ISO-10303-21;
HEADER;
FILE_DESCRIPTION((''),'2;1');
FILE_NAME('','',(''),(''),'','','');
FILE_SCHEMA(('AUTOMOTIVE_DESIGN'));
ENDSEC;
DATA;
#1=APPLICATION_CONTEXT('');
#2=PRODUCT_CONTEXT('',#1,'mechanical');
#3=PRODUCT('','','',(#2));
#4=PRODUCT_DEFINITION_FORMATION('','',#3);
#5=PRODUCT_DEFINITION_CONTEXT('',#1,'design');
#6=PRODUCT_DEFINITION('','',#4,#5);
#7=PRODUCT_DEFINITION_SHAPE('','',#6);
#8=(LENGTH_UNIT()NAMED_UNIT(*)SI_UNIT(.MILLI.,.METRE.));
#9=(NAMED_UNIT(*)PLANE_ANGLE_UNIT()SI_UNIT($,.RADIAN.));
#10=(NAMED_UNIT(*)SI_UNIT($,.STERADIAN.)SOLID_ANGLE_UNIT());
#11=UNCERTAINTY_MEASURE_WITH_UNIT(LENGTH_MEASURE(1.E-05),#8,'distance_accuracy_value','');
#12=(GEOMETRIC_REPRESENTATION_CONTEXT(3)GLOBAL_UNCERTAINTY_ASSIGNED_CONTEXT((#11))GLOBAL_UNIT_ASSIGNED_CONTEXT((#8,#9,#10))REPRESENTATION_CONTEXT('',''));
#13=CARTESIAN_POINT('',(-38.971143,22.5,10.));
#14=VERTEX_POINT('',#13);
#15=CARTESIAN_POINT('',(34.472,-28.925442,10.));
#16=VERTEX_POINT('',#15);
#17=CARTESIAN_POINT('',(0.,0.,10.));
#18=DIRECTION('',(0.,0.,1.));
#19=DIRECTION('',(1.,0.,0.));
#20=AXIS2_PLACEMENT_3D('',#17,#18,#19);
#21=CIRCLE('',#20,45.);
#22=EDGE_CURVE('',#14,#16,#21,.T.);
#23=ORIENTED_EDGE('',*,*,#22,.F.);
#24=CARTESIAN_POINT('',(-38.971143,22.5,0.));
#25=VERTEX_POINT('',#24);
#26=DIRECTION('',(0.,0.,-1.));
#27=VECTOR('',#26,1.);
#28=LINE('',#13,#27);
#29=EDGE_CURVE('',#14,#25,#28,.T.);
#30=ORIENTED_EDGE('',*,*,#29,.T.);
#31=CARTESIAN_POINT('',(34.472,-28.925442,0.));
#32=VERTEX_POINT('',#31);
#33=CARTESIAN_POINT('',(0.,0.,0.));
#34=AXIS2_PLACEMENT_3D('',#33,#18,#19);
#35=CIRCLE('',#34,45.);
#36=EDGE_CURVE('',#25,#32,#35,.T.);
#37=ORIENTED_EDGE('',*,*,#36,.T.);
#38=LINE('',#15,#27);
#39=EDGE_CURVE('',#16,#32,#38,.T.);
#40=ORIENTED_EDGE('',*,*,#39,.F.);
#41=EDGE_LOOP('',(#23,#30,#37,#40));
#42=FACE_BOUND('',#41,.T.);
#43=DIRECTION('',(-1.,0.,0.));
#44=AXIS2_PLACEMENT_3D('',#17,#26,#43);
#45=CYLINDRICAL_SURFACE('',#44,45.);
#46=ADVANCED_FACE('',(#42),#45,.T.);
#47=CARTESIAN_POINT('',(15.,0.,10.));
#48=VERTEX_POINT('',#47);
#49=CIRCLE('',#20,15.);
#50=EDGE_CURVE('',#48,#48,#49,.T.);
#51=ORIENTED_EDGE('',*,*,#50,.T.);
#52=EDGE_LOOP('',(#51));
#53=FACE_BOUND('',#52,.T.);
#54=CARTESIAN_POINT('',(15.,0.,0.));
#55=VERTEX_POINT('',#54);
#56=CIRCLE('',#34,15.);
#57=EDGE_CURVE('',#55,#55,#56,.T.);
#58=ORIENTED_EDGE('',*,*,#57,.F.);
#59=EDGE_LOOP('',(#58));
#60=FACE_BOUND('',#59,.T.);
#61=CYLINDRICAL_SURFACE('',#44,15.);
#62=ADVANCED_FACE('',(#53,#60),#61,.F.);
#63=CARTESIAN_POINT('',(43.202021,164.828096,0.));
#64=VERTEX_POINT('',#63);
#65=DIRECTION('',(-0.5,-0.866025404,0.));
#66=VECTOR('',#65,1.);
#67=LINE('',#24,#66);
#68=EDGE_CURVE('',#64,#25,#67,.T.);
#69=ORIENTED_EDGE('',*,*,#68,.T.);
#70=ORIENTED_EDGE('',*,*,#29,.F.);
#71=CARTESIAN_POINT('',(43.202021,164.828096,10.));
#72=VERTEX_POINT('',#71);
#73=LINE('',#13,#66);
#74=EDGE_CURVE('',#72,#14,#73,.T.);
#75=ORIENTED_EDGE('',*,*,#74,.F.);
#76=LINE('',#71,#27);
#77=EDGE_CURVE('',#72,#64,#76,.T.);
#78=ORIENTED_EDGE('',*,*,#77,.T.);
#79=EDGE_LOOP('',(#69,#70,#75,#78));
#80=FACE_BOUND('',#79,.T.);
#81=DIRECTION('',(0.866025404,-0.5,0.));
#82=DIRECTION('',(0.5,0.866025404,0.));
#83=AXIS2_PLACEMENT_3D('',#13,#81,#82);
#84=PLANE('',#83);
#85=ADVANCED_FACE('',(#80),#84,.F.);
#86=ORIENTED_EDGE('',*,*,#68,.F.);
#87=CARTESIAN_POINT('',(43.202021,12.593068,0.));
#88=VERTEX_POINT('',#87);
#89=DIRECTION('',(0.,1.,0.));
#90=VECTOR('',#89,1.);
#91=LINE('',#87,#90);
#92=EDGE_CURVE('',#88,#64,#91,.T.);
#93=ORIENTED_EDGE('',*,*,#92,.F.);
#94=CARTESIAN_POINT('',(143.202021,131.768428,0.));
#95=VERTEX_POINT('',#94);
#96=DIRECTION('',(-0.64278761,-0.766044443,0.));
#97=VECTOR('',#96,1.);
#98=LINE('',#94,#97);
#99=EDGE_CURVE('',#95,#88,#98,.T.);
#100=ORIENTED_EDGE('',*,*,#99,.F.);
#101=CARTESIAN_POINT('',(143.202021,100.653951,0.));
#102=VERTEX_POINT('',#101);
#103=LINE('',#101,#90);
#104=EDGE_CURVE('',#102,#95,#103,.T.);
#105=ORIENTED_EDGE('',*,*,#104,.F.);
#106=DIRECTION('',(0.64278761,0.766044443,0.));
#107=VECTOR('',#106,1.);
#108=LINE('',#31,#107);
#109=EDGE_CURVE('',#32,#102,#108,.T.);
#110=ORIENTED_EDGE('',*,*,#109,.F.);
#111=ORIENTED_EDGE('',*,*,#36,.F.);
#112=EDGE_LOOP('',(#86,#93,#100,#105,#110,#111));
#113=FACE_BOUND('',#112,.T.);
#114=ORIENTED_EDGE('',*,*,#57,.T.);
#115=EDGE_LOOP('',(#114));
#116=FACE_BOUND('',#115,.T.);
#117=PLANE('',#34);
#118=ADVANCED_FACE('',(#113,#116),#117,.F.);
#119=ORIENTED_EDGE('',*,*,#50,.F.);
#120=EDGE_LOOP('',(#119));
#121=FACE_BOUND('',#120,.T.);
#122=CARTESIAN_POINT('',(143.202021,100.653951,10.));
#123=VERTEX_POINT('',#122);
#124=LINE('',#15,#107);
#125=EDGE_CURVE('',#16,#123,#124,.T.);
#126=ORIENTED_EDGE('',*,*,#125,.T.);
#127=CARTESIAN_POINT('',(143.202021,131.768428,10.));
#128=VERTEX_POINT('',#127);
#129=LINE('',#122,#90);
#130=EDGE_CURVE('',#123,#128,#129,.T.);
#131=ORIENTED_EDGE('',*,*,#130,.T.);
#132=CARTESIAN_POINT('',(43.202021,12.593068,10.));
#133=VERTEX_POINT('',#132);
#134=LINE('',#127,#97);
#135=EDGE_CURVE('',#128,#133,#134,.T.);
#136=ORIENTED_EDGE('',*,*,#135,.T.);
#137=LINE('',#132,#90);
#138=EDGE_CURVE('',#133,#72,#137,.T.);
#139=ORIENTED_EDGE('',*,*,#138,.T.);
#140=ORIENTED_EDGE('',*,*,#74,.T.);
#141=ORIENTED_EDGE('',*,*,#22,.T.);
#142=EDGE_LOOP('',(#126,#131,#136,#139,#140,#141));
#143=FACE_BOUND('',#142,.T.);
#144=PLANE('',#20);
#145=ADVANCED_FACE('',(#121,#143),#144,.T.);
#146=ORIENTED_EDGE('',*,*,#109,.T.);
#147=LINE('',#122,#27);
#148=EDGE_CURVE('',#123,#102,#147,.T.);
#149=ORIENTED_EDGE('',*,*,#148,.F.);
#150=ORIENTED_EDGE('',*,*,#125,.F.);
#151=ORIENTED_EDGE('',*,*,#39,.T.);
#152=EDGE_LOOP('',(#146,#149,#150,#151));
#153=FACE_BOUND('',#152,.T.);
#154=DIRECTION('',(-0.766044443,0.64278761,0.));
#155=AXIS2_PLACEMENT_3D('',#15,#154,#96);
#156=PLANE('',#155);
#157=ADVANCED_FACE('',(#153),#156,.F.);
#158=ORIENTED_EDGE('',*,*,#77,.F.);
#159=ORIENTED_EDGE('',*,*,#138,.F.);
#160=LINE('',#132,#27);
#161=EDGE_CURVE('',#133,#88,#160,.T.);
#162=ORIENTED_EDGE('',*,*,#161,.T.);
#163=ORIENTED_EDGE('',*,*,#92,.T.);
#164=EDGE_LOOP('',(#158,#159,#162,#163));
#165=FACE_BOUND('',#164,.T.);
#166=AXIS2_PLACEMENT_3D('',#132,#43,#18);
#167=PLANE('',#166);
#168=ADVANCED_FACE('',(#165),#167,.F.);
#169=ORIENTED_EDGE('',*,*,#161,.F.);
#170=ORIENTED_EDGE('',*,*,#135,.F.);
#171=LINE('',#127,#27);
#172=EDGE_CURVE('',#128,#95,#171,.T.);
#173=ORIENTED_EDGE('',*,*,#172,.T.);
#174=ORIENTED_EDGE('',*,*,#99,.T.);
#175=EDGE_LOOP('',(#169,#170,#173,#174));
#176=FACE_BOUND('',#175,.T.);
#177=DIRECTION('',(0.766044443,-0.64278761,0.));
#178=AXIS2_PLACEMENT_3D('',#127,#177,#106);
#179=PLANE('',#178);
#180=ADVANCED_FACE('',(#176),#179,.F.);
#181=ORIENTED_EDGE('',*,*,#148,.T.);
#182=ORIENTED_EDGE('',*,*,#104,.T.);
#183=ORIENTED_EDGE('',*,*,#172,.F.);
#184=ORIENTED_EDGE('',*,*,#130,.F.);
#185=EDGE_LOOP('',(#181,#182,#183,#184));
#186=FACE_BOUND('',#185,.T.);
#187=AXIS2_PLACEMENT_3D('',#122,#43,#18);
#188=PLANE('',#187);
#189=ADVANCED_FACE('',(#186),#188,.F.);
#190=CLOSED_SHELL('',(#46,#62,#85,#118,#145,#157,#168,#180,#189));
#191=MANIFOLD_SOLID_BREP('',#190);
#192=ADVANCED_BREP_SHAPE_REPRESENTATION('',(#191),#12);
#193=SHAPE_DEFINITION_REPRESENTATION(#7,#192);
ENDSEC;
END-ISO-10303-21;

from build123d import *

# Parameters (mm, degrees)
ESQUISSE1_R        = 15
BOSS_EXTRU_1_DEPTH = 10


with BuildPart() as part:
    # Esquisse1 → Boss.-Extru.1 (new body)
    with BuildSketch(Plane.XY):
        with BuildLine():
            Line((-38.97114317, 22.5), (43.202021157, 164.828095634))
            Line((43.202021157, 164.828095634), (43.202021157, 12.59306825))
            Line((43.202021157, 12.59306825), (143.202021157, 131.768427509))
            Line((143.202021157, 131.768427509), (143.202021157, 100.653950972))
            Line((143.202021157, 100.653950972), (34.47199994, -28.925442436))
            ThreePointArc((34.47199994, -28.925442436), (-25.810939636, -36.861841993), (-38.97114317, 22.5))
        make_face()
        Circle(ESQUISSE1_R, mode=Mode.SUBTRACT)
    extrude(amount=BOSS_EXTRU_1_DEPTH)


solid = part.part
